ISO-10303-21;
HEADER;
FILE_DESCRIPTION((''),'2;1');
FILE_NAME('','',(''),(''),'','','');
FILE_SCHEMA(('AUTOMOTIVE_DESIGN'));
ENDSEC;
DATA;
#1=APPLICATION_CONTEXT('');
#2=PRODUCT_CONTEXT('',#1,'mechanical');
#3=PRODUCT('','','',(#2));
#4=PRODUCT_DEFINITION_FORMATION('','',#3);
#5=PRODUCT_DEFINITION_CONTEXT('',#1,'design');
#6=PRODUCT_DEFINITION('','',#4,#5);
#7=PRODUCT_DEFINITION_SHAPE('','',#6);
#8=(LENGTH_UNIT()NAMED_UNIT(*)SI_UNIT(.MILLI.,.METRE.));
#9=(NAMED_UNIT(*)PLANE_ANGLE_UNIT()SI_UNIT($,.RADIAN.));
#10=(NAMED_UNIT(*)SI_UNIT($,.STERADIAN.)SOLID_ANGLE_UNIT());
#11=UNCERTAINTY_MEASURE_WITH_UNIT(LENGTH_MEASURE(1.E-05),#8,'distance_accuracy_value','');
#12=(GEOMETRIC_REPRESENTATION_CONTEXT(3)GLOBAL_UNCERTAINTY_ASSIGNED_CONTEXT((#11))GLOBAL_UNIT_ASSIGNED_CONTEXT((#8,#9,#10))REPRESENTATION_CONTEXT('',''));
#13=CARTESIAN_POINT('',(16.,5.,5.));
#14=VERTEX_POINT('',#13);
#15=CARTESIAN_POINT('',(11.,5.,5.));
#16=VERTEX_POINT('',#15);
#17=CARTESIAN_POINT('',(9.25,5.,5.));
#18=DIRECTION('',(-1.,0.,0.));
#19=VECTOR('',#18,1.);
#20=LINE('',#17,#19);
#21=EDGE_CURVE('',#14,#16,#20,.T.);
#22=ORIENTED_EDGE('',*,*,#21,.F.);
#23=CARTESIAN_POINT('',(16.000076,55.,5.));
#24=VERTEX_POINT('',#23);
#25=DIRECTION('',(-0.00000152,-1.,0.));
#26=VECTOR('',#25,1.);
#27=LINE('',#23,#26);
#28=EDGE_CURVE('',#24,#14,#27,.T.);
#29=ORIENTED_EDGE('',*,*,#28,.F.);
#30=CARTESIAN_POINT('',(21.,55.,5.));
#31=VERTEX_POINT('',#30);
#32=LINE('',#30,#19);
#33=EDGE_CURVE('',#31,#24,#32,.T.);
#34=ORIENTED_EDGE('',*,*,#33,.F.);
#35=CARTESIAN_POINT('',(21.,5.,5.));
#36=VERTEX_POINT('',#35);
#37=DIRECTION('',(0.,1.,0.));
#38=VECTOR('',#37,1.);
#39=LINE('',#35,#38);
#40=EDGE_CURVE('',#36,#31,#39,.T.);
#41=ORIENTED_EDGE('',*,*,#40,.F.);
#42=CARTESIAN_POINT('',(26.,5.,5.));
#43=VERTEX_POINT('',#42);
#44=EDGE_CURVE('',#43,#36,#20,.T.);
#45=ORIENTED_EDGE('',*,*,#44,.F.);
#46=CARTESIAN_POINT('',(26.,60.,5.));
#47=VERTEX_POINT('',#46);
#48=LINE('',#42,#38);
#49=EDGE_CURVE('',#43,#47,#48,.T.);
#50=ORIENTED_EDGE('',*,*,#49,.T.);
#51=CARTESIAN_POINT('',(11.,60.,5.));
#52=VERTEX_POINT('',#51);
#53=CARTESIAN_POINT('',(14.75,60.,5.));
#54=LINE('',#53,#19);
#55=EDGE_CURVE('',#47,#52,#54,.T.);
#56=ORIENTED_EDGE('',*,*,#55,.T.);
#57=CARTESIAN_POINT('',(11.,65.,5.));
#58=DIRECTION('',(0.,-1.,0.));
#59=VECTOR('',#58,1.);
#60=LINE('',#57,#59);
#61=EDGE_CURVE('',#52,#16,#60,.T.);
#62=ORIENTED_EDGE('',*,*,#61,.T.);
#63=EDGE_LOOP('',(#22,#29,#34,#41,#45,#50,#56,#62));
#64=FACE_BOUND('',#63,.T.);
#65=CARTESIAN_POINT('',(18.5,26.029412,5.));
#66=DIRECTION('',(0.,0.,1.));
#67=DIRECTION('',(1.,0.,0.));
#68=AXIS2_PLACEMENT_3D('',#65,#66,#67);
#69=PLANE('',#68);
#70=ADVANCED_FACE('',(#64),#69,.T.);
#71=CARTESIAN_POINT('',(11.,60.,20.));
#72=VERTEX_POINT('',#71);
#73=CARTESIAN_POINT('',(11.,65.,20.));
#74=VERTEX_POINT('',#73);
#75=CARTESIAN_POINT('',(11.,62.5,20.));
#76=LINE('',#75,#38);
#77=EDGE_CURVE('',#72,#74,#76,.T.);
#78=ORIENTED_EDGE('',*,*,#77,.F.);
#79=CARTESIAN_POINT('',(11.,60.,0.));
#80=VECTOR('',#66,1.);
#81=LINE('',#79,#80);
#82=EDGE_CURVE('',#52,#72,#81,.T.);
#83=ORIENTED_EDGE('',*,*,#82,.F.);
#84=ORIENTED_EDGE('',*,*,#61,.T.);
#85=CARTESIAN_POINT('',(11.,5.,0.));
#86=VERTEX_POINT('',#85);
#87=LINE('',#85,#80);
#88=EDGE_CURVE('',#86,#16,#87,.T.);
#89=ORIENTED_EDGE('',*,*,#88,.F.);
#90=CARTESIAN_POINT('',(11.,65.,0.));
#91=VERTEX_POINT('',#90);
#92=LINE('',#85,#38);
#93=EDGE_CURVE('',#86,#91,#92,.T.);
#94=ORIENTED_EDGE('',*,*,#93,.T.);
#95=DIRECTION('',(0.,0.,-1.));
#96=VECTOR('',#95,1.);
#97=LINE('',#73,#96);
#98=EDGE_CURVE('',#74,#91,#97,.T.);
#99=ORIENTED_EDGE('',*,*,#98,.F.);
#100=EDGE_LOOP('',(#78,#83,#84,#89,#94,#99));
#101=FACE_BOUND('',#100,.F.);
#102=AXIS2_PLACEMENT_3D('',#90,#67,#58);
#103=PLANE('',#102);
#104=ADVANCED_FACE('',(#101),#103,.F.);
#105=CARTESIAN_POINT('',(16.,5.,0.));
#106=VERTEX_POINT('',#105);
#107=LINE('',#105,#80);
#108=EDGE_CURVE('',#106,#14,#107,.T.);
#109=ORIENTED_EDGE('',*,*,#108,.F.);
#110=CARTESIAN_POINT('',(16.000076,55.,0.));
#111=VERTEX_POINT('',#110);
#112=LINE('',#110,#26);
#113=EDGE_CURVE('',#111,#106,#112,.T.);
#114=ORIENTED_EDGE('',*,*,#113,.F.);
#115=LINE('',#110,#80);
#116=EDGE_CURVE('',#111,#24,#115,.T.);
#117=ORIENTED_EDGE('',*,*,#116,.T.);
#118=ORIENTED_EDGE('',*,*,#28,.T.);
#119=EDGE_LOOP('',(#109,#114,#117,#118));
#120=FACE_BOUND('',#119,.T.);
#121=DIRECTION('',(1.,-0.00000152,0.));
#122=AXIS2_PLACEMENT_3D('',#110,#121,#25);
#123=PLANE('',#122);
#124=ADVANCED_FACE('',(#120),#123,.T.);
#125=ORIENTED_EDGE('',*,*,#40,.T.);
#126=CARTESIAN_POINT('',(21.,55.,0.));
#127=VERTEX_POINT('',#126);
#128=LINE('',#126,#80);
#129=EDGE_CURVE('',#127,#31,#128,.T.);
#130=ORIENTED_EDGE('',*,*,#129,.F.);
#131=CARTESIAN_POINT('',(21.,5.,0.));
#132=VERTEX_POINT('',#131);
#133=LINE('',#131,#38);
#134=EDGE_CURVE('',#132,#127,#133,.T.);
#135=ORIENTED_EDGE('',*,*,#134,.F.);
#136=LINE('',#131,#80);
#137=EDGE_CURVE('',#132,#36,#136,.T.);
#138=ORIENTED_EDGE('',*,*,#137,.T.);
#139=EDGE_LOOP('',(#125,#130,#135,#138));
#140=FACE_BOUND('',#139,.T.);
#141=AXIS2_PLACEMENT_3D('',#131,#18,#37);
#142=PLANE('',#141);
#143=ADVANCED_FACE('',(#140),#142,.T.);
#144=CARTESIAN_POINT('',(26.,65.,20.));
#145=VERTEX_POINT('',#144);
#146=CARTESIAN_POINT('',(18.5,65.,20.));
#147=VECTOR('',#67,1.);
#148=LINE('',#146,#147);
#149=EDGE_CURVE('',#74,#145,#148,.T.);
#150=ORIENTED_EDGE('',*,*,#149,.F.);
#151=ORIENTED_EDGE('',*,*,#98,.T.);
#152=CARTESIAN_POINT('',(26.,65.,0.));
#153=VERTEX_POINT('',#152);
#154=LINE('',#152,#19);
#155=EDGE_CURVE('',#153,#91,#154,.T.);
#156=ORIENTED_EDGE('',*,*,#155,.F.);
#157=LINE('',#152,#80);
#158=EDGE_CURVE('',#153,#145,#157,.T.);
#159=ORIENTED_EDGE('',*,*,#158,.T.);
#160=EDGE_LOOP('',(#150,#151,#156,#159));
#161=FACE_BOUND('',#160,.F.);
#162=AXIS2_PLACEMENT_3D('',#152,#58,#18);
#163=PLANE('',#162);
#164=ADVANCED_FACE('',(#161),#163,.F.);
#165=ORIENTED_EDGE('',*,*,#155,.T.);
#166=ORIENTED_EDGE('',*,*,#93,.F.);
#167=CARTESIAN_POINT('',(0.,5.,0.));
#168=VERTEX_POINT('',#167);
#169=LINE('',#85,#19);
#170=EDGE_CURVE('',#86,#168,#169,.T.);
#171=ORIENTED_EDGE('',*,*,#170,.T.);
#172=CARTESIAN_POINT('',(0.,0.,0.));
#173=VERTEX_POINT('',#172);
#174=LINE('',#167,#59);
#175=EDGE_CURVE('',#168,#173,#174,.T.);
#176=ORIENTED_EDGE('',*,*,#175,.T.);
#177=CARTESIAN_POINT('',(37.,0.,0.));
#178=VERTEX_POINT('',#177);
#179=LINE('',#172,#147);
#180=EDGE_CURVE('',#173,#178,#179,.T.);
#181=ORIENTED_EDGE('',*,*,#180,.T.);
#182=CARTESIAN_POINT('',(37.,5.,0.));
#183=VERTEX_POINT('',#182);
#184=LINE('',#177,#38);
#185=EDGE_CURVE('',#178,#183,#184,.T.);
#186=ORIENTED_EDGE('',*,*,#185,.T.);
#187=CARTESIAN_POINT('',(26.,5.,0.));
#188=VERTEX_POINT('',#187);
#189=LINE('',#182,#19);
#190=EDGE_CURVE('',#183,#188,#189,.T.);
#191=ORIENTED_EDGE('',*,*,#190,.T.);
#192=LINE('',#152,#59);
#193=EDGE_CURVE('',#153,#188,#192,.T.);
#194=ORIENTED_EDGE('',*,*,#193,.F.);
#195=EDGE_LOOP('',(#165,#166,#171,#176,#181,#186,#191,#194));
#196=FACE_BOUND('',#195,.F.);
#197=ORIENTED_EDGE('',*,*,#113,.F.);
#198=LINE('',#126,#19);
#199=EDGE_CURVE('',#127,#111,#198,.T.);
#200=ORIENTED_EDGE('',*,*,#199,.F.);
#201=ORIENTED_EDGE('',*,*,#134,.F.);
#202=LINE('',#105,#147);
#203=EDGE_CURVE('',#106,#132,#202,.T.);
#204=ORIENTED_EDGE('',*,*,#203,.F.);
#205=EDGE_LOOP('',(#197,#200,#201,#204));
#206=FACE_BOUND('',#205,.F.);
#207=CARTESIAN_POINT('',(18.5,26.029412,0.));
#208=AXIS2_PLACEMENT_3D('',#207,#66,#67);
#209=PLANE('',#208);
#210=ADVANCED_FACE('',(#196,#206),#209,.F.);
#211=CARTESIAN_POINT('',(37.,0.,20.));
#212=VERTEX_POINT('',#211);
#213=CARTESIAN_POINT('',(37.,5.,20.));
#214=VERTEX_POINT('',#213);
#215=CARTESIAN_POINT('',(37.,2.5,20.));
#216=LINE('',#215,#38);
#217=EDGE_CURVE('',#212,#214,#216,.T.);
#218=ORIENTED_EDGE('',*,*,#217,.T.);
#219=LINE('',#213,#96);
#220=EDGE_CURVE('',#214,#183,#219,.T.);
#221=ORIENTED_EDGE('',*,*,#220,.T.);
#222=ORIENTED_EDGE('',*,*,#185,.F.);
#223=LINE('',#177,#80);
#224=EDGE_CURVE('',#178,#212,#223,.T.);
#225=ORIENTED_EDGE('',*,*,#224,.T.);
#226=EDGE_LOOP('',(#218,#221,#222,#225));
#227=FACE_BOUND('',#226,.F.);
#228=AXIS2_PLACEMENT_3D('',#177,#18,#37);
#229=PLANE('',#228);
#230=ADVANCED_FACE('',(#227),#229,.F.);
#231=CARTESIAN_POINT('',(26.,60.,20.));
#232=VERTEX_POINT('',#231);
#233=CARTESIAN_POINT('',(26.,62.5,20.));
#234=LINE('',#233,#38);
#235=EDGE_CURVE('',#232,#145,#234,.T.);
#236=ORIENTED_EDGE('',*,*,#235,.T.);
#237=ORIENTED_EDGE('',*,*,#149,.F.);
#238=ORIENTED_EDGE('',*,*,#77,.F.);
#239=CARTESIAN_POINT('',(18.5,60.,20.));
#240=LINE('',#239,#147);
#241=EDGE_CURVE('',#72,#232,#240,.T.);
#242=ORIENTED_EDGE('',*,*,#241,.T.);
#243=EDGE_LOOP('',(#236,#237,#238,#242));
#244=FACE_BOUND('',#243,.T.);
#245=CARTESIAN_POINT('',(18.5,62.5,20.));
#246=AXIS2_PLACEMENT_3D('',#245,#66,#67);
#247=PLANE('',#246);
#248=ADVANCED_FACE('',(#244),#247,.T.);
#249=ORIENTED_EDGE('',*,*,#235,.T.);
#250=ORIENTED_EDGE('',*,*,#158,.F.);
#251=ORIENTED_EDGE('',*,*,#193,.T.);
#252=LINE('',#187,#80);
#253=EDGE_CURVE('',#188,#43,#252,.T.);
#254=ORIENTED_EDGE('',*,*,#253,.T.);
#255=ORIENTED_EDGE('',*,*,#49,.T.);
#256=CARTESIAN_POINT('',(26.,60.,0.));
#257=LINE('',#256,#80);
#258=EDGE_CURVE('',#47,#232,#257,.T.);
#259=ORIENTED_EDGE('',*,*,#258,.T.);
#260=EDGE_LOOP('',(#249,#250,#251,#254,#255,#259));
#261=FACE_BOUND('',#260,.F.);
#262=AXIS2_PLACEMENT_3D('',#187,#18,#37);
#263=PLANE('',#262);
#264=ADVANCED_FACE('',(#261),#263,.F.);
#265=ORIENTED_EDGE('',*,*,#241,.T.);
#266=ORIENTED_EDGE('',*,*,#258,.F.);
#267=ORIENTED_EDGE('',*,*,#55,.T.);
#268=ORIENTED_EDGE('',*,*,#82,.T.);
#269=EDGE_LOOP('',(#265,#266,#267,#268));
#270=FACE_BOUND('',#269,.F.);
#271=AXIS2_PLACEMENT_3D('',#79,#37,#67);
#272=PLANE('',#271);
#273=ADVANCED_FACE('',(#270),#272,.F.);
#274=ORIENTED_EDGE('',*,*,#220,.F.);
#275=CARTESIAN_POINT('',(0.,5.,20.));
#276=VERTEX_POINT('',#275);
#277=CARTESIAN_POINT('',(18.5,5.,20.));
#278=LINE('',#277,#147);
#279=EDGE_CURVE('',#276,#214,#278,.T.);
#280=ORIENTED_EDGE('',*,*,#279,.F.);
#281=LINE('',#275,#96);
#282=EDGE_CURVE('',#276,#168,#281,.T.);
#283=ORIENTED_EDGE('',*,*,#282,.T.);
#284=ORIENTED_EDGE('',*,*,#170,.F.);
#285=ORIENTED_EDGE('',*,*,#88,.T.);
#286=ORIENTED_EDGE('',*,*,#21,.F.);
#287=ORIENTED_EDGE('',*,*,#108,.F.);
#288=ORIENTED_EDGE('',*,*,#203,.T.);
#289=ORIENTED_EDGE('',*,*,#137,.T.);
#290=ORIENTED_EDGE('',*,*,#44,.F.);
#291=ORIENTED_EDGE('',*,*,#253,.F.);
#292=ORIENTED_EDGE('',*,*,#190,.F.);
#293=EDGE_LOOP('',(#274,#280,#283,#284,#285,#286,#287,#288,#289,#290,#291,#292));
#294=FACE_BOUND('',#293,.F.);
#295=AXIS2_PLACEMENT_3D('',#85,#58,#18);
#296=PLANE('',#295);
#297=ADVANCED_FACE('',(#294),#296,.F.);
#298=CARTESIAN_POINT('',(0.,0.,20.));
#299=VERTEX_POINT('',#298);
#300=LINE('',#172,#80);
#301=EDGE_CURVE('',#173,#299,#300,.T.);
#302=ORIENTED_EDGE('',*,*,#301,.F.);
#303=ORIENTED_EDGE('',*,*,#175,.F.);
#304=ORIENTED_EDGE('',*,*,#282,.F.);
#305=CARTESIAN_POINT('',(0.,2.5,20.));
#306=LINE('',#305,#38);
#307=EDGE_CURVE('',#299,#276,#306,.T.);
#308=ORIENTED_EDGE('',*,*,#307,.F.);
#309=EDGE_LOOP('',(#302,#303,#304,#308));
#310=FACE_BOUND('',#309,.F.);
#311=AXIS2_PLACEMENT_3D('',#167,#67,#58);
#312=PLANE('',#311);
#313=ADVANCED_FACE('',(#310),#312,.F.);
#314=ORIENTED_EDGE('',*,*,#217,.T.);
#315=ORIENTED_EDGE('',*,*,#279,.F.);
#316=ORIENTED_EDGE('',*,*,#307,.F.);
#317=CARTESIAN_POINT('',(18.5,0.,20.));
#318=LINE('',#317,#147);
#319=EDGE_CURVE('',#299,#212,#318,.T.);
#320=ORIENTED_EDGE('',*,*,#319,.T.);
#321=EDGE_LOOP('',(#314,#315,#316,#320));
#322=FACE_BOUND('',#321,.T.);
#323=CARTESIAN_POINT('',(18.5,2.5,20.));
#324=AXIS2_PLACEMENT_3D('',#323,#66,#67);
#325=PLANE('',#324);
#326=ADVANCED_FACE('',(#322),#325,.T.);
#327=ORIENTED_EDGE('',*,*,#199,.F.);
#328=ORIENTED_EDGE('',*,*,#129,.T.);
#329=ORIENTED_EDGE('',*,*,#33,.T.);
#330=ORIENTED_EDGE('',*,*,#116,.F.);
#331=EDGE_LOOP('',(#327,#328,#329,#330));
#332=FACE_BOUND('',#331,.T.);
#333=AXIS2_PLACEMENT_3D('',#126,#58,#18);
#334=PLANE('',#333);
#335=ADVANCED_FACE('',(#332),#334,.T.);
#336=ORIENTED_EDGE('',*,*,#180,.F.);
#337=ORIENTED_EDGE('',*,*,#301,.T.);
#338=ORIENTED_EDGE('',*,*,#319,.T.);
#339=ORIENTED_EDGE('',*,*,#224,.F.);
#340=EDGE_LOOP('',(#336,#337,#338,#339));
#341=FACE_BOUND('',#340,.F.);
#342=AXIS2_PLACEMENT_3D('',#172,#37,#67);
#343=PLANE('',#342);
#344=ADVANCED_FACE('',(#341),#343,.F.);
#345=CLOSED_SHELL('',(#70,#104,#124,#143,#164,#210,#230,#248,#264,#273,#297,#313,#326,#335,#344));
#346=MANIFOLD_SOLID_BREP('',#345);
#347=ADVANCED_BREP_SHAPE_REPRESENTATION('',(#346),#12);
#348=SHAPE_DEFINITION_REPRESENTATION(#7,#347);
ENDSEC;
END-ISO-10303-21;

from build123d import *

# Parameters (mm, degrees)
PAD_DEPTH     = 5
SKETCH001_W   = 37
SKETCH001_H   = 5
SKETCH001_W_2 = 15
PAD001_DEPTH  = 20


with BuildPart() as part:
    # Sketch → Pad (new body)
    with BuildSketch(Plane.XY):
        Polygon((0, 5), (0, 0), (37, 0), (37, 5), (26, 5), (26, 65), (11, 65), (11, 5), align=None)
        Polygon((16, 5), (21, 5), (21, 55), (16.000076, 55), align=None, mode=Mode.SUBTRACT)
    extrude(amount=PAD_DEPTH)

    # Sketch001 → Pad001 (join)
    with BuildSketch(Plane.XY):
        with Locations((18.5, 2.5)):
            Rectangle(SKETCH001_W, SKETCH001_H)
        with Locations((18.5, 62.5)):
            Rectangle(SKETCH001_W_2, SKETCH001_H)
    extrude(amount=PAD001_DEPTH)


solid = part.part
